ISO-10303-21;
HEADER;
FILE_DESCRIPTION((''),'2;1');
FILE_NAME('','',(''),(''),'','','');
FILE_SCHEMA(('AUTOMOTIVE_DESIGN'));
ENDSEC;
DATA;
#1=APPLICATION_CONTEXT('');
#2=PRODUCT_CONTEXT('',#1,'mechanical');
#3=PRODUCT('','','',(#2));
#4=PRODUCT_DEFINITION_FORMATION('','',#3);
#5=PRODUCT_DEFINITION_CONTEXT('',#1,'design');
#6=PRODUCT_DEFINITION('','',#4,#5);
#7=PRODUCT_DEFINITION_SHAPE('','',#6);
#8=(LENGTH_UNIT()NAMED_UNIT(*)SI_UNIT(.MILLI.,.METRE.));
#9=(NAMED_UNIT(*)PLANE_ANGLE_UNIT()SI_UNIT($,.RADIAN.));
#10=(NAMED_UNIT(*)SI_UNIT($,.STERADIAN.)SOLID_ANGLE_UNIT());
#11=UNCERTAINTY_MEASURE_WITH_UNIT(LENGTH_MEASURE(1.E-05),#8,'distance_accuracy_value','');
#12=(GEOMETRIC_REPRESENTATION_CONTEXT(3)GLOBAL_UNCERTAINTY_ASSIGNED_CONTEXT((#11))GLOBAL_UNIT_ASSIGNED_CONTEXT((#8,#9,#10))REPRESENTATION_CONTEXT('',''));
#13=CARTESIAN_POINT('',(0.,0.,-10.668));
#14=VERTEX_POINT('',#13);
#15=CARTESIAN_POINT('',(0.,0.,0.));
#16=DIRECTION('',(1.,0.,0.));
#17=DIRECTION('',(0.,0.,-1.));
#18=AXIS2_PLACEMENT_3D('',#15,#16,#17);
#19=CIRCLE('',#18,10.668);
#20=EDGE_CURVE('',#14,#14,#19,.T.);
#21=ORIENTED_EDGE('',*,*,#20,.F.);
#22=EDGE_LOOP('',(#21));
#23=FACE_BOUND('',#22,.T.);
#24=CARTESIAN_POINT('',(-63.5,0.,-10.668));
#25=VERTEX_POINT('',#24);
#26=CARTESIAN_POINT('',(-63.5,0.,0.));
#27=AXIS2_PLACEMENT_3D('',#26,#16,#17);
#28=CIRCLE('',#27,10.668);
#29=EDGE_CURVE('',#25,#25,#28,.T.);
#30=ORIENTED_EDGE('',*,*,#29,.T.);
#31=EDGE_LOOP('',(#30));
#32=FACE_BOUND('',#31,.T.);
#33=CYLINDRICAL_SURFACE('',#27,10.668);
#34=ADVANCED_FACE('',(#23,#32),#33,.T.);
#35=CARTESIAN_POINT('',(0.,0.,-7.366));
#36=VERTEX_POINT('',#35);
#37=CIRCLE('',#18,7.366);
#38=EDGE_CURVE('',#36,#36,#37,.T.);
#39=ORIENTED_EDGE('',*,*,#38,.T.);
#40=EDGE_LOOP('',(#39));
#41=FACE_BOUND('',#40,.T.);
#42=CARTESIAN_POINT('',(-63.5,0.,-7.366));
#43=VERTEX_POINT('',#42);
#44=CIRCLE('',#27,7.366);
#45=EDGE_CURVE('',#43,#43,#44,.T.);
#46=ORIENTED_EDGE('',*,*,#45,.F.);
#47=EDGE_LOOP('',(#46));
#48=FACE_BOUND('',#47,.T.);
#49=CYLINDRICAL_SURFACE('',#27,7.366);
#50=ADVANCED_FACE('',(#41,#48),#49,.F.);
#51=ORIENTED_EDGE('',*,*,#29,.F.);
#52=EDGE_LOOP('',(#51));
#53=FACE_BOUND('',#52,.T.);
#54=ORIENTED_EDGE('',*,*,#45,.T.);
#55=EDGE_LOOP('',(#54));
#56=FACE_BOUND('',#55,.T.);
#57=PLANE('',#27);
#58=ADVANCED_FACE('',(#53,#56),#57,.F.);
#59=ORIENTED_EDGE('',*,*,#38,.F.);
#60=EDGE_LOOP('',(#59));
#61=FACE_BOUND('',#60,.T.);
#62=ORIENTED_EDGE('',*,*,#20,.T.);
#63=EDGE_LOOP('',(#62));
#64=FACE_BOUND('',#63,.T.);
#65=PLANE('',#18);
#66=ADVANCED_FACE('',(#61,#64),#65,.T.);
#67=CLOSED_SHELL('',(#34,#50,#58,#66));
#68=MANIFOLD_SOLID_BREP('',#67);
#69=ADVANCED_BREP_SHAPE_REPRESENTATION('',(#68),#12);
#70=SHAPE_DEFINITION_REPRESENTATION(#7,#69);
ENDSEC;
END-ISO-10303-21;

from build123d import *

# Parameters (mm, degrees)
SKETCH1_R           = 10.668
SKETCH1_R_2         = 7.366
BOSS_EXTRUDE1_DEPTH = 63.5


with BuildPart() as part:
    # Sketch1 → Boss-Extrude1 (new body)
    with BuildSketch(Plane(origin=(0, 0, 0), x_dir=(0, 0, -1), z_dir=(1, 0, 0))):
        Circle(SKETCH1_R)
        Circle(SKETCH1_R_2, mode=Mode.SUBTRACT)
    extrude(amount=-BOSS_EXTRUDE1_DEPTH)


solid = part.part
